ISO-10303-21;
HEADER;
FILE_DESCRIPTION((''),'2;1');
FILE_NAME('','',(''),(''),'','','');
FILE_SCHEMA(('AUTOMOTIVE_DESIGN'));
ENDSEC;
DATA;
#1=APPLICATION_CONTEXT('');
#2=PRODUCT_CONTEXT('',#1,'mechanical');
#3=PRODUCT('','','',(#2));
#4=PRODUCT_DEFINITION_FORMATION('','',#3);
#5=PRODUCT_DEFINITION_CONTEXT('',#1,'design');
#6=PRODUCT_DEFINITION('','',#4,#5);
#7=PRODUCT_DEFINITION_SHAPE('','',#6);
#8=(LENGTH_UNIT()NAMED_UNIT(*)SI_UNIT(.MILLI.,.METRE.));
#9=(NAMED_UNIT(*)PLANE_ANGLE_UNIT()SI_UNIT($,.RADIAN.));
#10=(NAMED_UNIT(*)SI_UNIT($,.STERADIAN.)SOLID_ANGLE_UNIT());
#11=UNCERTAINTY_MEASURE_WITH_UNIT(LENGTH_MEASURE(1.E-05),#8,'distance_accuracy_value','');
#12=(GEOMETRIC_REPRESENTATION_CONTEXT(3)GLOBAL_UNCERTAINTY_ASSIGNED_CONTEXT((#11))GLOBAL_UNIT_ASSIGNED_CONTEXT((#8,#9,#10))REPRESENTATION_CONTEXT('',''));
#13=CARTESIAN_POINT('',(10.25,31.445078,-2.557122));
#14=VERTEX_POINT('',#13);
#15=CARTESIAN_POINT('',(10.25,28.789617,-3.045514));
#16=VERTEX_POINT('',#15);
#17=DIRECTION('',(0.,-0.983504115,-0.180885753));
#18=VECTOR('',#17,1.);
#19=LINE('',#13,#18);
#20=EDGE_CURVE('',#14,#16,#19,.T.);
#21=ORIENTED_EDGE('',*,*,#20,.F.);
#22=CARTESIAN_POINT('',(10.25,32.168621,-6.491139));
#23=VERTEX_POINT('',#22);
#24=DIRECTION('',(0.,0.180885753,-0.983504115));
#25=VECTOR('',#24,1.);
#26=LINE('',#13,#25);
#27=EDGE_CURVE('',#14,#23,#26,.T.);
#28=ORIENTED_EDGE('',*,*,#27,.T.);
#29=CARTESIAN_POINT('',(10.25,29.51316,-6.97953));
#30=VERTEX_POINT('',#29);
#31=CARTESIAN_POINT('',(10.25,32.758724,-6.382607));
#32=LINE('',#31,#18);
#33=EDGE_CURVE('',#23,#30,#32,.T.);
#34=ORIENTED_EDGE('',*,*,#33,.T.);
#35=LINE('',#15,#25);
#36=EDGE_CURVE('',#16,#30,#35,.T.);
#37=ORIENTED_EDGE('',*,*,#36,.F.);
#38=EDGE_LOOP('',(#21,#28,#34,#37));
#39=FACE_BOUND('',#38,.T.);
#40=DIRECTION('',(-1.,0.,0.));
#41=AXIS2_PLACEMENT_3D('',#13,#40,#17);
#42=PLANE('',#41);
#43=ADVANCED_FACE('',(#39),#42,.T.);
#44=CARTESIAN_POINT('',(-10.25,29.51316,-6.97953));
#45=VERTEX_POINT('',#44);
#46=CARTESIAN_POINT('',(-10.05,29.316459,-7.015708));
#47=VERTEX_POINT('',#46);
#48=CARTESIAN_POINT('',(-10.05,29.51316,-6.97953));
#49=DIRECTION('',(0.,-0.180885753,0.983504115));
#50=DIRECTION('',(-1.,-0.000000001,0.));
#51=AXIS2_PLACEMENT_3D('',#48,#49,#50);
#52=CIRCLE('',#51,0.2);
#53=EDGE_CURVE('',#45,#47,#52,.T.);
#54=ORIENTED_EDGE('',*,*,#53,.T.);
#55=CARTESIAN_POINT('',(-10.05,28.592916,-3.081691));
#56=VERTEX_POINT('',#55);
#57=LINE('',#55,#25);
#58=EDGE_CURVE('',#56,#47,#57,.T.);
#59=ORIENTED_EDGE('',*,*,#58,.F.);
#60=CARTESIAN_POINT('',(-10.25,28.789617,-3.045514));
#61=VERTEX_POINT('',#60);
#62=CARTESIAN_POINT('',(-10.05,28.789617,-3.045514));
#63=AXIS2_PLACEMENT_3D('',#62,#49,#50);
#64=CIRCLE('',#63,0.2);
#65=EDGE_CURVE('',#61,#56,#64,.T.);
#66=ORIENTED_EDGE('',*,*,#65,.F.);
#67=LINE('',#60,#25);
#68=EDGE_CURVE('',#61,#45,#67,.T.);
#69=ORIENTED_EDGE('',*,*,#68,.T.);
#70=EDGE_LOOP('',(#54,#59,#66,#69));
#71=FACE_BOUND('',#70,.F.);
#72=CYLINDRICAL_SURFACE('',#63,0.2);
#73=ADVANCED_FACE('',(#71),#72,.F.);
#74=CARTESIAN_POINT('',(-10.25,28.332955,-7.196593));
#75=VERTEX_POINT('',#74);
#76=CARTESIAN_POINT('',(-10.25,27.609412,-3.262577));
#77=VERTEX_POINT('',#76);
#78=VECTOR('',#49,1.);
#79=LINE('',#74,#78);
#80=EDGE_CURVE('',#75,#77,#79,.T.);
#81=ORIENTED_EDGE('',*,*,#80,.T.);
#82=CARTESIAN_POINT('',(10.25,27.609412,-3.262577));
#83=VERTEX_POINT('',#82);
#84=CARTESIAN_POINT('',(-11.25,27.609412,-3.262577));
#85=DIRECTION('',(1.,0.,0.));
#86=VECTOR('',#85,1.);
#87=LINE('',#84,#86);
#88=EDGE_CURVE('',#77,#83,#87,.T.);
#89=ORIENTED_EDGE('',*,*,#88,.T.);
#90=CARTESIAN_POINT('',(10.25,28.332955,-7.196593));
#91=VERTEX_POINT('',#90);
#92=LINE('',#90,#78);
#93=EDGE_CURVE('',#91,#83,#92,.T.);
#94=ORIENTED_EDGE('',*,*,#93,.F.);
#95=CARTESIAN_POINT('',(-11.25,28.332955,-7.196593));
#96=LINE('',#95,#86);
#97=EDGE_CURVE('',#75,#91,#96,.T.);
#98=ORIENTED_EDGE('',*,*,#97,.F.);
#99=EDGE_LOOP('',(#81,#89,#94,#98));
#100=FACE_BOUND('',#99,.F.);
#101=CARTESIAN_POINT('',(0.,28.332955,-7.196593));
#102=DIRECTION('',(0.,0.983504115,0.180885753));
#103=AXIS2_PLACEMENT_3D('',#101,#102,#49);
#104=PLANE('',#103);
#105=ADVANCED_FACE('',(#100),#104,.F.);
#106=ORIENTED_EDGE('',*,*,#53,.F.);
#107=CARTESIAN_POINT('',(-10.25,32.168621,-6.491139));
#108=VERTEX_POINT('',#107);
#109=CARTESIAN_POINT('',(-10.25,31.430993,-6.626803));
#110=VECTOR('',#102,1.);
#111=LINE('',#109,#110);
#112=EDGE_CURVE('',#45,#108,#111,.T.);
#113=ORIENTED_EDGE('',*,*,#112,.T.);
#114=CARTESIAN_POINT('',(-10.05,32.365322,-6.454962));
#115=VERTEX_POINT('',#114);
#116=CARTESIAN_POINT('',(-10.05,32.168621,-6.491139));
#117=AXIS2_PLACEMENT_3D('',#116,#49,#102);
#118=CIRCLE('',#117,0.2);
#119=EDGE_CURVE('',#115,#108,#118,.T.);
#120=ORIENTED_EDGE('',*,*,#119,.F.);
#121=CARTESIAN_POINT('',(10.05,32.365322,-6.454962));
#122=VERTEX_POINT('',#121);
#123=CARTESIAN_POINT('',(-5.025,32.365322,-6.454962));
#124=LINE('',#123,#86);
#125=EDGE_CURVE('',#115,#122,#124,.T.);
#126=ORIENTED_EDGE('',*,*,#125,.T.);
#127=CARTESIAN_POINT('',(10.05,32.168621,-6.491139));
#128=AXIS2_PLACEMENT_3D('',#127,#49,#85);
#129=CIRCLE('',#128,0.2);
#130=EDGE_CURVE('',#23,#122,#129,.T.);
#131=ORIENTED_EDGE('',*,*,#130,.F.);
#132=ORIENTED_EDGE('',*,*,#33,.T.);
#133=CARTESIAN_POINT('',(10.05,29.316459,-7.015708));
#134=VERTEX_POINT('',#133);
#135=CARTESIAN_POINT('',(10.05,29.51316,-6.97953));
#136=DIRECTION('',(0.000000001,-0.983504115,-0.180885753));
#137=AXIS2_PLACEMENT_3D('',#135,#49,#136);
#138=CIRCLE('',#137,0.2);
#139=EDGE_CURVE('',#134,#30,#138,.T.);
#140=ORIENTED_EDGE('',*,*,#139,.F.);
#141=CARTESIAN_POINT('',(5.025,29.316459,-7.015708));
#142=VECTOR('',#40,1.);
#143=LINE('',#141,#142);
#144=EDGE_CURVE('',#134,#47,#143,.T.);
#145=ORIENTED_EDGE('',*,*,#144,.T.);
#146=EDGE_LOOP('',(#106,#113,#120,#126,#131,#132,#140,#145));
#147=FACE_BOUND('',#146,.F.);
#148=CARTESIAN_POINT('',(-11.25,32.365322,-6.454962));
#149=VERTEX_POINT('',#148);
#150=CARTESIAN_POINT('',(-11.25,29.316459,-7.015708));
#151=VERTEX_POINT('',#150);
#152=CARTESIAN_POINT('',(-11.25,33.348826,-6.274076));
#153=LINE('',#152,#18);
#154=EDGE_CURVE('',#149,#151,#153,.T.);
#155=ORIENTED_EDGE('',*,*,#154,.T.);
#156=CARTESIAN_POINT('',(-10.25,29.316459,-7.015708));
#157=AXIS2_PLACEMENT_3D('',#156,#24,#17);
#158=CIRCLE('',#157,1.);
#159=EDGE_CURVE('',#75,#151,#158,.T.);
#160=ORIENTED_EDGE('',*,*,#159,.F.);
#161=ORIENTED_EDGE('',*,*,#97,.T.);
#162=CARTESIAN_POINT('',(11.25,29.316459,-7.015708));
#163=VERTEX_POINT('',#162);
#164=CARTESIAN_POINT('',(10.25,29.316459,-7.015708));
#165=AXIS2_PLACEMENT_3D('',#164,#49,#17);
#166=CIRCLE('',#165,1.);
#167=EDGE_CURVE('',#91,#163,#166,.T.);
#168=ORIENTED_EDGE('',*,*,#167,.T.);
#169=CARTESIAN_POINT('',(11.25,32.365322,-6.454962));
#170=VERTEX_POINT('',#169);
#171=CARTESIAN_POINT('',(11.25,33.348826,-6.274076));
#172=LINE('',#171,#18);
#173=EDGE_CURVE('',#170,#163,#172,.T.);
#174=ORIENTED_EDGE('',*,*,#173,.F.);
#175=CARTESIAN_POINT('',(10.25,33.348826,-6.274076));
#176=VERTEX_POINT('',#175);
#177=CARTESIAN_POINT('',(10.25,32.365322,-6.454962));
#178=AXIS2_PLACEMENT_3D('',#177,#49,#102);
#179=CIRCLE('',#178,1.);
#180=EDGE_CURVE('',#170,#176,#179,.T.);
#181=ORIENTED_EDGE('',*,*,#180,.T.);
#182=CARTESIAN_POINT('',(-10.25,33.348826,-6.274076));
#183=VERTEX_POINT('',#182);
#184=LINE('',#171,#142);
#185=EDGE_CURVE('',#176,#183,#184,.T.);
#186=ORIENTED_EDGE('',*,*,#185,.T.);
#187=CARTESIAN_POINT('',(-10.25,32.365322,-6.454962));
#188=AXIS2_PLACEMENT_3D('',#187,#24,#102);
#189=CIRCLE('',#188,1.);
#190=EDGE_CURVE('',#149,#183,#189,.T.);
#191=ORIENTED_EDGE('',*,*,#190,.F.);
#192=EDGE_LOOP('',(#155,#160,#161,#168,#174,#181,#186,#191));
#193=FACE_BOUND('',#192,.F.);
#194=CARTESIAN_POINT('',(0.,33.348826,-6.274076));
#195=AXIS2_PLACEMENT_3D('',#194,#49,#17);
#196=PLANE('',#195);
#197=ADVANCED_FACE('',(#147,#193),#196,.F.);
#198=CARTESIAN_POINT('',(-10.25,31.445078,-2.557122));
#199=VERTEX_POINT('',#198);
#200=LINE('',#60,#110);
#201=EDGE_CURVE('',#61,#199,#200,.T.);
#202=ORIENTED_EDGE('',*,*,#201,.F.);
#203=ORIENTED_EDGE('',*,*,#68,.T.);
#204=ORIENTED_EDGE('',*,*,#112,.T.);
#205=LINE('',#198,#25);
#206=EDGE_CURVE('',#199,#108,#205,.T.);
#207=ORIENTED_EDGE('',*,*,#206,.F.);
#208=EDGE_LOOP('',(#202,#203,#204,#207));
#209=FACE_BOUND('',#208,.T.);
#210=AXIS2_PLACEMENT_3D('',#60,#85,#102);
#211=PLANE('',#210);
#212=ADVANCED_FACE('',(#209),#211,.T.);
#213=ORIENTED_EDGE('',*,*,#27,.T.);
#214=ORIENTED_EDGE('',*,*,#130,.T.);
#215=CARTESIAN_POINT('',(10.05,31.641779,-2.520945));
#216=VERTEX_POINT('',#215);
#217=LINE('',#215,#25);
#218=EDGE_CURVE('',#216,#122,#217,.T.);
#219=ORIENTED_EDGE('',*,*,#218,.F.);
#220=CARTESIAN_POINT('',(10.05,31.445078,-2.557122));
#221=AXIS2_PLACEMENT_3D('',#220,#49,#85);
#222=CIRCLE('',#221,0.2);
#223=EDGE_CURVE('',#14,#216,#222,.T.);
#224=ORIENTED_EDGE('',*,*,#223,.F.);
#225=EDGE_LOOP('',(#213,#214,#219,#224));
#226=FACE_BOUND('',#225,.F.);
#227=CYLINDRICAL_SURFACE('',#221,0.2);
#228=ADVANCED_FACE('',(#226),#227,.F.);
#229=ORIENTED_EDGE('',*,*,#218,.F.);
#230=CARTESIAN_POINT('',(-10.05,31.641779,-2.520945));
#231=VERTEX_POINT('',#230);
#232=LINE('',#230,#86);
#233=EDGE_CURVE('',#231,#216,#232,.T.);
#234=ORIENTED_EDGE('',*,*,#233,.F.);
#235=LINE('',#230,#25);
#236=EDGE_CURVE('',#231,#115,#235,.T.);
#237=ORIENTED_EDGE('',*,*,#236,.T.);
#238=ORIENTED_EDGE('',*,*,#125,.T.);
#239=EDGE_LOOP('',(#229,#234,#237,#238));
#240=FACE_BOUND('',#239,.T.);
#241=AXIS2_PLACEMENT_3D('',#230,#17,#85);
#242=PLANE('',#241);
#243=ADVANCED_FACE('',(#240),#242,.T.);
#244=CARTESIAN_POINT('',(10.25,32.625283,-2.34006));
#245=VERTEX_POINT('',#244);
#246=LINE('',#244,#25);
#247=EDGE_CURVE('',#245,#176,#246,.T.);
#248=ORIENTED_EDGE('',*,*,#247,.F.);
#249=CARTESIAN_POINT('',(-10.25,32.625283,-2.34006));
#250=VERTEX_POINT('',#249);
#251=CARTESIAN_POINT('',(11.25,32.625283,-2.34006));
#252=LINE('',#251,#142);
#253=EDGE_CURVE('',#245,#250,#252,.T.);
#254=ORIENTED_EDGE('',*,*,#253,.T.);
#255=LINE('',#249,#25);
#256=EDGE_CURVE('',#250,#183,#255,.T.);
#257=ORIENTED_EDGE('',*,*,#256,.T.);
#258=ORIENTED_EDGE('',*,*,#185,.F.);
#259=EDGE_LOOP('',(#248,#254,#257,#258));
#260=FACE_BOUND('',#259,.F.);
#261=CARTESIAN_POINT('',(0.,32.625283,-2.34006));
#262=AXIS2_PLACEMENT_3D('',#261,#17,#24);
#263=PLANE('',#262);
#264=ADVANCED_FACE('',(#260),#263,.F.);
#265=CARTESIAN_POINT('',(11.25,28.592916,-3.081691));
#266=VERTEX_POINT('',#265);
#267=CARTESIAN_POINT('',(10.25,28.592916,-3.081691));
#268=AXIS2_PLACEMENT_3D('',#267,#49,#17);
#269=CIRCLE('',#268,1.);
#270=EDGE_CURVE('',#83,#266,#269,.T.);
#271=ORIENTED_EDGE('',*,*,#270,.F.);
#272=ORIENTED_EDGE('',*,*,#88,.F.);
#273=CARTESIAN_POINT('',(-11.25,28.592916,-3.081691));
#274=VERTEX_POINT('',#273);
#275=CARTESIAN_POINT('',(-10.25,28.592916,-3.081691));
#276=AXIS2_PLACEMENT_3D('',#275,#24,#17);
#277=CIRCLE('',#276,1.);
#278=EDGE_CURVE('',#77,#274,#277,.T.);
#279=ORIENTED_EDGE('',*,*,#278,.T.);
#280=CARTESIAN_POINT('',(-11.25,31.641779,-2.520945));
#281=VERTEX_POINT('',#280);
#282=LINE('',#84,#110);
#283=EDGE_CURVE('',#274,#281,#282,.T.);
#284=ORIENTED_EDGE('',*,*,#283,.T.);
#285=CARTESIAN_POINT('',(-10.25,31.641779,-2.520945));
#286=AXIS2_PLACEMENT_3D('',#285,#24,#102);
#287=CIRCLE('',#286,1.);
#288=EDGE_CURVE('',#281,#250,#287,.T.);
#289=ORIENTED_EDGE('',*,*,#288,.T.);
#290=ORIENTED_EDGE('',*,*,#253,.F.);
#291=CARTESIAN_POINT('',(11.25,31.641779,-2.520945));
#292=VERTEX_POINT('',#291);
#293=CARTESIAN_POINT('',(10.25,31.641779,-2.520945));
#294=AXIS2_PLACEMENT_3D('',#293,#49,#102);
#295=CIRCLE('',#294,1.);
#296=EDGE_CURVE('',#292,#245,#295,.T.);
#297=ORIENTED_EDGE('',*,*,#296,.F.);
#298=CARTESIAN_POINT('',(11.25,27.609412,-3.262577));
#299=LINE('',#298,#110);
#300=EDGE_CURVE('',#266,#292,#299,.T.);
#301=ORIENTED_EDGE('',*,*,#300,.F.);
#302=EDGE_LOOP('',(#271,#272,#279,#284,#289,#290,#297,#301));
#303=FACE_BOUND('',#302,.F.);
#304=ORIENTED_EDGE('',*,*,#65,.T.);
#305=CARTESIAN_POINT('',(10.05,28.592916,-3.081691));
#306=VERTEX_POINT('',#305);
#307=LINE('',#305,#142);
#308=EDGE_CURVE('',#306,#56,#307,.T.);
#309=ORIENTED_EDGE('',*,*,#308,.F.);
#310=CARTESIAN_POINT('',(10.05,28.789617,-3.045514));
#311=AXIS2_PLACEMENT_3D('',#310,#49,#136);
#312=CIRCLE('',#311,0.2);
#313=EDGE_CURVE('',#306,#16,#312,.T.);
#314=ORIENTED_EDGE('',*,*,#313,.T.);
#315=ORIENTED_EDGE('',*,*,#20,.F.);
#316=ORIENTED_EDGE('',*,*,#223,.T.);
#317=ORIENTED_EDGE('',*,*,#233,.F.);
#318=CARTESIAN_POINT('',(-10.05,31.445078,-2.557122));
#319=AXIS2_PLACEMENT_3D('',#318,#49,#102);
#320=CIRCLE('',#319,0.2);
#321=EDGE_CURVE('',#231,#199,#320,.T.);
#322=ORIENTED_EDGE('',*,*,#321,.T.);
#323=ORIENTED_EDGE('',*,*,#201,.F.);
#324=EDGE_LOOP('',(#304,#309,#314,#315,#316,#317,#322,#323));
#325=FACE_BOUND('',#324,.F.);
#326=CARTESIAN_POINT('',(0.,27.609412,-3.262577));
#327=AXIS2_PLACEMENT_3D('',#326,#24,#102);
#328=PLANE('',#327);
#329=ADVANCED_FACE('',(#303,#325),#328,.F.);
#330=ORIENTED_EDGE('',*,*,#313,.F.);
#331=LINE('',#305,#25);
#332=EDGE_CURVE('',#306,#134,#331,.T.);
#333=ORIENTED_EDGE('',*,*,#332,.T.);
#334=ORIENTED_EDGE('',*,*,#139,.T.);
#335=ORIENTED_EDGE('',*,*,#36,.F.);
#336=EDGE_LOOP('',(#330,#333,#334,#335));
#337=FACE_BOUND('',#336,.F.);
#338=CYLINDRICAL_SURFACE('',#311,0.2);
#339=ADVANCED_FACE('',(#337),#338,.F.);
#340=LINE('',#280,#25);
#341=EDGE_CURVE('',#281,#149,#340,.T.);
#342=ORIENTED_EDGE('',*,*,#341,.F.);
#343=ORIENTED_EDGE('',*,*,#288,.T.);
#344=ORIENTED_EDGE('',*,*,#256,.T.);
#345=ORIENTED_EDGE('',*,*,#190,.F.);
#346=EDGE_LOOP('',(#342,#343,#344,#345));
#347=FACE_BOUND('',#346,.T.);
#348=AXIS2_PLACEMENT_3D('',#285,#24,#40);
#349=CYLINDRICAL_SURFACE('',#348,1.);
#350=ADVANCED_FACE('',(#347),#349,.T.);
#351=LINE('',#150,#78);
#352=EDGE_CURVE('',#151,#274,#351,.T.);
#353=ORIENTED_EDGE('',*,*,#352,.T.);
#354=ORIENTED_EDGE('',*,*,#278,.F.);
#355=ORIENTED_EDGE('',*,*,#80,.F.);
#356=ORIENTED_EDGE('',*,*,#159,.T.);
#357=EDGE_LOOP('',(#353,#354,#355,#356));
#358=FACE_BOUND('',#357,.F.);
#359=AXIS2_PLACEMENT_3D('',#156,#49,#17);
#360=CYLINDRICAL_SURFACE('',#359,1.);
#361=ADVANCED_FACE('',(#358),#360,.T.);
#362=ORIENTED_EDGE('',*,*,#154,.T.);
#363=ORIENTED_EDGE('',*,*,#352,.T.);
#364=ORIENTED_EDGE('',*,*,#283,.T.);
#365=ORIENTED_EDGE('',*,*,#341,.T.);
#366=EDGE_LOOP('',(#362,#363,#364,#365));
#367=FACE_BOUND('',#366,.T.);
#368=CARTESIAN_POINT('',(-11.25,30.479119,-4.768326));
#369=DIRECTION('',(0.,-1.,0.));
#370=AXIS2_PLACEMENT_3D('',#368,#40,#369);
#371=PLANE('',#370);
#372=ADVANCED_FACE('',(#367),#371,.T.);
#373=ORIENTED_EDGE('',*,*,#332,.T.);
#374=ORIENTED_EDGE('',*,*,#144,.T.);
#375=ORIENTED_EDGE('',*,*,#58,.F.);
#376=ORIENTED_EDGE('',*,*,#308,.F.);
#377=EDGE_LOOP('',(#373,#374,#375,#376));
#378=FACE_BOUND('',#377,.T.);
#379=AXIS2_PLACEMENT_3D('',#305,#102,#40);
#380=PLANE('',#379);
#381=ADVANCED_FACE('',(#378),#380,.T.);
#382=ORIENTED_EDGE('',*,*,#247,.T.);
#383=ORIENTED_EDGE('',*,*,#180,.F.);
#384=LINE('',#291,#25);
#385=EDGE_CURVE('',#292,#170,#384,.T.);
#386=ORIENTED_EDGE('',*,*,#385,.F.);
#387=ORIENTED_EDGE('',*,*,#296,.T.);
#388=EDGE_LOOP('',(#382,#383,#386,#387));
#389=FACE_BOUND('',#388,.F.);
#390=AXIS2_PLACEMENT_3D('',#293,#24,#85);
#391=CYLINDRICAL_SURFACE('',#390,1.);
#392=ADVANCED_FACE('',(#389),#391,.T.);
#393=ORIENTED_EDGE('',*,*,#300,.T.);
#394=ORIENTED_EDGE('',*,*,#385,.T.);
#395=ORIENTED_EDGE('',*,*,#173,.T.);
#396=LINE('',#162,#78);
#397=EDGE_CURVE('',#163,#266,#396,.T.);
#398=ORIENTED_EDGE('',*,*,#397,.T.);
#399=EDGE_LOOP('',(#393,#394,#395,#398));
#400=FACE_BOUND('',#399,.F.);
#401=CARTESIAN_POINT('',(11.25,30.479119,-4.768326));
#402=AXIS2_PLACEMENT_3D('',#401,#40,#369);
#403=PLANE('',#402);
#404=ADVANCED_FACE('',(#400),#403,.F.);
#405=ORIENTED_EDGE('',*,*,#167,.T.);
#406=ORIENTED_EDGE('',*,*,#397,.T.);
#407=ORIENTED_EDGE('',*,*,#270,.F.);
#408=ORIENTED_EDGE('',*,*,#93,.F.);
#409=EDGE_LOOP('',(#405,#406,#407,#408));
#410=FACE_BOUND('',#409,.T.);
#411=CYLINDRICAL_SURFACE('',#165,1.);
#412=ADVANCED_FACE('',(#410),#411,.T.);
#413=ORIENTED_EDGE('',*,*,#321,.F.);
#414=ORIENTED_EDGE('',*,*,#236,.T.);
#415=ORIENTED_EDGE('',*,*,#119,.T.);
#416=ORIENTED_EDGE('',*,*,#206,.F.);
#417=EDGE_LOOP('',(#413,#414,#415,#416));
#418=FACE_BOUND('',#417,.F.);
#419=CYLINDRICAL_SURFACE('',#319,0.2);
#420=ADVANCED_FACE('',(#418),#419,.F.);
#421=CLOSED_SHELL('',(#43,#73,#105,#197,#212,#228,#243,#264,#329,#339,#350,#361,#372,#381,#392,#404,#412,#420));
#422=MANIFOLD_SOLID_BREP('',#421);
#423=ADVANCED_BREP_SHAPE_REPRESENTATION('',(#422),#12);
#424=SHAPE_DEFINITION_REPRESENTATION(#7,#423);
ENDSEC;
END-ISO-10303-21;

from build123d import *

# Parameters (mm, degrees)
PAD003_DEPTH = 11.25
POCKET_DEPTH = 5
FILLET001_R  = 1


with BuildPart() as part:
    # Sketch → Pad003 (new body, symmetric)
    with BuildSketch(Plane.YZ):
        Polygon((27.6094120011, -3.2625768801), (32.625282988, -2.3400595397), (33.348826, -6.274076), (28.3329550131, -7.1965933403), align=None)
    extrude(amount=PAD003_DEPTH, both=True)

    # Sketch032 (on Face1 of Pad003) → Pocket (cut)
    with BuildSketch(Plane(origin=(0, 1.4837890217, -8.0675928562), x_dir=(0, -0.9835041151, -0.180885753), z_dir=(0, -0.180885753, 0.9835041151))):
        with BuildLine():
            Line((-30.463816642, 10.25), (-27.763816642, 10.25))
            ThreePointArc((-27.563816642, 10.05), (-27.6223952858, 10.1914213562), (-27.763816642, 10.25))
            Line((-27.563816642, 10.05), (-27.563816642, -10.05))
            ThreePointArc((-27.763816642, -10.25), (-27.6223952858, -10.1914213562), (-27.563816642, -10.05))
            Line((-27.763816642, -10.25), (-30.463816642, -10.25))
            ThreePointArc((-30.663816642, -10.05), (-30.6052379983, -10.1914213562), (-30.463816642, -10.25))
            Line((-30.663816642, -10.05), (-30.663816642, 10.05))
            ThreePointArc((-30.463816642, 10.25), (-30.6052379983, 10.1914213562), (-30.663816642, 10.05))
        make_face()
    extrude(amount=-POCKET_DEPTH, mode=Mode.SUBTRACT)

    # Fillet001
    fillet001_edges = [part.edges().sort_by_distance(p)[0] for p in [
        (11.25, 32.987054, -4.307068),
        (11.25, 27.971184, -5.229585),
        (-11.25, 32.987054, -4.307068),
        (-11.25, 27.971184, -5.229585),
    ]]
    fillet(fillet001_edges, radius=FILLET001_R)


solid = part.part
